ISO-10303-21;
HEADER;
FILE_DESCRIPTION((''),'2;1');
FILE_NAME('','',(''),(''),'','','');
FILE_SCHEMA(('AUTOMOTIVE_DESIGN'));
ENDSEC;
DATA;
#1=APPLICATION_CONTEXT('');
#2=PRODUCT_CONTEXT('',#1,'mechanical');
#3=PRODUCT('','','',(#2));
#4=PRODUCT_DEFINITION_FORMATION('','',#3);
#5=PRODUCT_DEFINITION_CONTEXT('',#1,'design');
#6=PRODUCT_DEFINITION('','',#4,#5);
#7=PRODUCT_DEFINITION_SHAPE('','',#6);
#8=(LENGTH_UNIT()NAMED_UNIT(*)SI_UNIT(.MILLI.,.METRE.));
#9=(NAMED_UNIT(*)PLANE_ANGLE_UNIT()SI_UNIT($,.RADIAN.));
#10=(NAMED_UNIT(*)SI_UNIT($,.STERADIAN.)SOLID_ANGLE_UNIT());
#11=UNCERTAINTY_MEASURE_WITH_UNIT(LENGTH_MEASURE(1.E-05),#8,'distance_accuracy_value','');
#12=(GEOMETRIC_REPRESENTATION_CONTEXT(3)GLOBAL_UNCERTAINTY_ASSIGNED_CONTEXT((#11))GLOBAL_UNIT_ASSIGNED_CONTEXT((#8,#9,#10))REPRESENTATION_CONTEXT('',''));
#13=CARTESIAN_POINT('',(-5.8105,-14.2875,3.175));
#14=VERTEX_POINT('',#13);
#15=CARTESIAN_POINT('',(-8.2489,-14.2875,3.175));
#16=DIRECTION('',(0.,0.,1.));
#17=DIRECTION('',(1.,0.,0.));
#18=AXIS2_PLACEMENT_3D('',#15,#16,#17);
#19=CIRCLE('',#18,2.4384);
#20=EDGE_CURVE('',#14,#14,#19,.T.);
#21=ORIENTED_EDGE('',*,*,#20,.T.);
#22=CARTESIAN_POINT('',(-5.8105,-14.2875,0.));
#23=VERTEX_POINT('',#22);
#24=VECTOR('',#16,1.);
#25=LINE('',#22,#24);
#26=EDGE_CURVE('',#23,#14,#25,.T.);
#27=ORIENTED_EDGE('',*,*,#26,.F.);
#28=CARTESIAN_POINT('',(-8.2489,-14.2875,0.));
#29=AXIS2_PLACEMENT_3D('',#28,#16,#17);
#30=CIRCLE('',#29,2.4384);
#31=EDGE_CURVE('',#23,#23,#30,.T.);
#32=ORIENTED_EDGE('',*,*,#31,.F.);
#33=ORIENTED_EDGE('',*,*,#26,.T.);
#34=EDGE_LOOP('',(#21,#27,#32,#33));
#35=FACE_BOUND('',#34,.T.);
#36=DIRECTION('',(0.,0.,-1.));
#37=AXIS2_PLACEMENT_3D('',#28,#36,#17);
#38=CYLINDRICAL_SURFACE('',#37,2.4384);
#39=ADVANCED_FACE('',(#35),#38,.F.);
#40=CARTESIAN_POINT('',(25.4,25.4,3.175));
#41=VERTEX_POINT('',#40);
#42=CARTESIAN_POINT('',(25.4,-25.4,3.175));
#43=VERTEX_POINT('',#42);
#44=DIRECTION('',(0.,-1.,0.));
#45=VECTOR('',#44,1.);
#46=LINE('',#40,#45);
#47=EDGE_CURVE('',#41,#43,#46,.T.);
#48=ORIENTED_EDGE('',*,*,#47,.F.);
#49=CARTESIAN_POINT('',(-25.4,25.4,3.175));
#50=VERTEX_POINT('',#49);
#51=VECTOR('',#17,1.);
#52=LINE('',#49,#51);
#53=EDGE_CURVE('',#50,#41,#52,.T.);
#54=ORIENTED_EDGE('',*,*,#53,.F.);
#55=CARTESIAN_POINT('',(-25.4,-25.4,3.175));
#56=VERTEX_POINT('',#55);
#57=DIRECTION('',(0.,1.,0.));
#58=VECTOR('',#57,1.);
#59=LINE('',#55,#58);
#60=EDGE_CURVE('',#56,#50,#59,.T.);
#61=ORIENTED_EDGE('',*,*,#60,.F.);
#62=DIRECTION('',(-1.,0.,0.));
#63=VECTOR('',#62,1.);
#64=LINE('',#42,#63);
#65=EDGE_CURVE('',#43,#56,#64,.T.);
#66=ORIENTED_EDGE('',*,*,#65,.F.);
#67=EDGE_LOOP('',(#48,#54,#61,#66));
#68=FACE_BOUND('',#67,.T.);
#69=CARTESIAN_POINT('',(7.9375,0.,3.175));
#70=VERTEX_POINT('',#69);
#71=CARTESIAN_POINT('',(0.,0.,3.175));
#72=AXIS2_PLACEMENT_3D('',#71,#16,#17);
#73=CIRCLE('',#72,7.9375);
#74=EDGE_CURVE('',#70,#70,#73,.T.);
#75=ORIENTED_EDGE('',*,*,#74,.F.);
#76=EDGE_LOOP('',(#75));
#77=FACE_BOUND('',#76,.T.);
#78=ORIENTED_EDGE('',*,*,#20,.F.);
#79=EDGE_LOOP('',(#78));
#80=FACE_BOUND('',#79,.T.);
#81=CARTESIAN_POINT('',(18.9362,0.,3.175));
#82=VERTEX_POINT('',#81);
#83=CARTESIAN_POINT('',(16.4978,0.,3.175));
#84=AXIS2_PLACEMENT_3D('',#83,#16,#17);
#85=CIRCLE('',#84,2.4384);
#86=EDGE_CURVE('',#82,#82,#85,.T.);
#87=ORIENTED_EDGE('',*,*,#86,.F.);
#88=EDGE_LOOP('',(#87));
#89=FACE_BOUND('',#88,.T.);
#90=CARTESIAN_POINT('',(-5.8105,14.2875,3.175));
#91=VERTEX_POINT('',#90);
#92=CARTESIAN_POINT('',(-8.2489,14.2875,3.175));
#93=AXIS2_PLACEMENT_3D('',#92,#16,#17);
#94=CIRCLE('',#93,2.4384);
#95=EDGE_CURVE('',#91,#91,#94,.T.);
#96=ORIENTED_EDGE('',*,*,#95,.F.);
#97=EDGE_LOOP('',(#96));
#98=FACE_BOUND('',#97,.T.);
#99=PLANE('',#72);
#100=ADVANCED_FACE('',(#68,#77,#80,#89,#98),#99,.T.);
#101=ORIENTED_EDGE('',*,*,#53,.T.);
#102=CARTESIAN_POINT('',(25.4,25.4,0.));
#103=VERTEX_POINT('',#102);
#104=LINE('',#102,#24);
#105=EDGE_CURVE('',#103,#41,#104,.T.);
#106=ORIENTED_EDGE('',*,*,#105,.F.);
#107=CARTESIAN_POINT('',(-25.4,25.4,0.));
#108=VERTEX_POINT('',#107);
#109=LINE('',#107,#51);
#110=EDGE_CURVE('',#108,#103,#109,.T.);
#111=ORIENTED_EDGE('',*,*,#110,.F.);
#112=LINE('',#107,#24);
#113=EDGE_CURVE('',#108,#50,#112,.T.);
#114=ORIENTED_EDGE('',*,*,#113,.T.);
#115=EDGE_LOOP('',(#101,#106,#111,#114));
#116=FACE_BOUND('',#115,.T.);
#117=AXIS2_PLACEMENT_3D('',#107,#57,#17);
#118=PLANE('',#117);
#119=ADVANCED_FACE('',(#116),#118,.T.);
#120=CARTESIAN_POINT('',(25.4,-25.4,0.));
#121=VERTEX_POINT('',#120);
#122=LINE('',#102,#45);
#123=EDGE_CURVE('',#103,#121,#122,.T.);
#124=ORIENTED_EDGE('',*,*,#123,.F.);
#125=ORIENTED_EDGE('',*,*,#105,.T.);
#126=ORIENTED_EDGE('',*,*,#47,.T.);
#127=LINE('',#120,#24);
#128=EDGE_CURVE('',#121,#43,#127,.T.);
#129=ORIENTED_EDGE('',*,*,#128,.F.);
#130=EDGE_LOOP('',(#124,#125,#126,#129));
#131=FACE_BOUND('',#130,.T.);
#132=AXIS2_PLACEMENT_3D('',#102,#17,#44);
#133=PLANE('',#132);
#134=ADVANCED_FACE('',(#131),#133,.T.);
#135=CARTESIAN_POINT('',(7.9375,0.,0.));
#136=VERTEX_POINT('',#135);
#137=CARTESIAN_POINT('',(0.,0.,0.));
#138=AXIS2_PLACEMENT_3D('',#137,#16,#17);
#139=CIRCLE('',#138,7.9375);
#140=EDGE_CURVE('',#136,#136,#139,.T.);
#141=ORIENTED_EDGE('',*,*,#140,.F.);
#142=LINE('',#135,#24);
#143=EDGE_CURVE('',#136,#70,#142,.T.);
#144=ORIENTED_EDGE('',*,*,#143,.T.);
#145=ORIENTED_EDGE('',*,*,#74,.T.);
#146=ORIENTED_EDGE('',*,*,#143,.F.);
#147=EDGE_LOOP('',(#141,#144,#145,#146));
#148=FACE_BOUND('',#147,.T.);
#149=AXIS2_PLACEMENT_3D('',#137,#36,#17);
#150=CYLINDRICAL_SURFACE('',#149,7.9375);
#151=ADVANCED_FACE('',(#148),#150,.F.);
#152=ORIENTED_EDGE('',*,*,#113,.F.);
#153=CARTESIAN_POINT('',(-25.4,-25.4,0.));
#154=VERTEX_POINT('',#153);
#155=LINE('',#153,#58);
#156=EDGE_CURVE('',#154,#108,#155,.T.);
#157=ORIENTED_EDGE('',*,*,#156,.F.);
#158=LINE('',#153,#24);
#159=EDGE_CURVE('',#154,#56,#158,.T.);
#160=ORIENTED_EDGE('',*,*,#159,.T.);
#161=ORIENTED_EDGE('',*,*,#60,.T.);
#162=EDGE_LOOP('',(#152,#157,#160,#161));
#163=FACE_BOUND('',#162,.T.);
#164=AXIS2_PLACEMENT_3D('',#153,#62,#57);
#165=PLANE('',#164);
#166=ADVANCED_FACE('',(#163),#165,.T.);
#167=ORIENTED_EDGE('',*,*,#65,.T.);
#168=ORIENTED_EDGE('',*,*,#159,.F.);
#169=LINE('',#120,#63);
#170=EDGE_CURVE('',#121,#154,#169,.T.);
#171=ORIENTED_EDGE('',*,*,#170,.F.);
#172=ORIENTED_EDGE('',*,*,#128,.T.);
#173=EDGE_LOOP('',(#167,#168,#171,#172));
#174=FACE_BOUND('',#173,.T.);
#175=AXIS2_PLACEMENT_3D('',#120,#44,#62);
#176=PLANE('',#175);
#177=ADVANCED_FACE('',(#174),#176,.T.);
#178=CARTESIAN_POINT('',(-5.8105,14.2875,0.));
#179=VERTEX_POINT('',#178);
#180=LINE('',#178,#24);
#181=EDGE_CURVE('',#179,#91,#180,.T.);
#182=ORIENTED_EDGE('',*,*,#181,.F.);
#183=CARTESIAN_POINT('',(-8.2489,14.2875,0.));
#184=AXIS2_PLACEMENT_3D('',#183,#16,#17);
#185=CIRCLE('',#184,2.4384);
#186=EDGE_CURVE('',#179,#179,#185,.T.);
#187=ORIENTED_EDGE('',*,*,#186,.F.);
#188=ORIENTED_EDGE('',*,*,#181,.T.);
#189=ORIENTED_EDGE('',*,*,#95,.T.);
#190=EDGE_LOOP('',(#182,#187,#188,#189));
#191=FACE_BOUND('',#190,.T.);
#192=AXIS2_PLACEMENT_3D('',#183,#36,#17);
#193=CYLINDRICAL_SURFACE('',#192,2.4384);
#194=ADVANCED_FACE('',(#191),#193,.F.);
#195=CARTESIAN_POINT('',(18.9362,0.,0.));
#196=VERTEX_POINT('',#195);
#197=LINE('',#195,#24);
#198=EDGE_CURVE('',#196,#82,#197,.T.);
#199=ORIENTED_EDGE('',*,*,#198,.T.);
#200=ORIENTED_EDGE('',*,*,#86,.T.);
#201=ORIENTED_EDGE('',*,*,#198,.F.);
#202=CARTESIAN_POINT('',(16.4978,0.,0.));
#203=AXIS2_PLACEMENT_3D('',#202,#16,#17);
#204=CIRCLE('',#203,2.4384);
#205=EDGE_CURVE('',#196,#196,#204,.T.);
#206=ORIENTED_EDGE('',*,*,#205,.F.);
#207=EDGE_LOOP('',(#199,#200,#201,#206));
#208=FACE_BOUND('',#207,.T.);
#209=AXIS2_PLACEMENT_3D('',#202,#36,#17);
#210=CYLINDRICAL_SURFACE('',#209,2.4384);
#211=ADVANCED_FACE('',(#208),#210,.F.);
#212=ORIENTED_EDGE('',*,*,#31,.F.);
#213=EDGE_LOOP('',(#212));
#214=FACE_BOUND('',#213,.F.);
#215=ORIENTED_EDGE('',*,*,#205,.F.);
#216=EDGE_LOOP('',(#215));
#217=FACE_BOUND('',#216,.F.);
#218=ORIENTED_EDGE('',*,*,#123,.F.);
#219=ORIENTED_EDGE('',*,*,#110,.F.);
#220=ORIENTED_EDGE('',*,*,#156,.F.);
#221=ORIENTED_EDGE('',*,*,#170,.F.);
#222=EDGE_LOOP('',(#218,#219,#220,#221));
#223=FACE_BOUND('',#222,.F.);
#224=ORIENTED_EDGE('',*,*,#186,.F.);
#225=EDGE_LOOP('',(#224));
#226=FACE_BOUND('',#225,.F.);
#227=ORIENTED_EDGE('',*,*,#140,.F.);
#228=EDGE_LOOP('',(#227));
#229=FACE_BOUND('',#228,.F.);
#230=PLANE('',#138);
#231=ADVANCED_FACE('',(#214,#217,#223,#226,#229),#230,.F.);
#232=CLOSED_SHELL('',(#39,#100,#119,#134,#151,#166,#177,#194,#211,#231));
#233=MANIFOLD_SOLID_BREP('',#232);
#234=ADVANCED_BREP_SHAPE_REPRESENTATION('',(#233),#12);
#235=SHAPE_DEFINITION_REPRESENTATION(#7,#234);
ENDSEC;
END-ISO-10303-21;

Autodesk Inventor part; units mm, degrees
ref_plane "YZ Plane" through (0, 0, 0) normal (1, 0, 0) x (0, 1, 0)
ref_plane "XZ Plane" through (0, 0, 0) normal (0, 1, 0) x (-1, 0, 0)
ref_plane "XY Plane" through (0, 0, 0) normal (0, 0, 1) x (1, 0, 0)
sketch "Sketch1" plane through (0, 0, 0) normal (0, 0, 1) x (1, 0, 0)
  circle A0 centre (0, 0) radius 7.9375
  line L0 (-25.4, 25.4) -> (25.4, 25.4)
  line L1 (25.4, 25.4) -> (25.4, -25.4)
  line L2 (25.4, -25.4) -> (-25.4, -25.4)
  line L3 (-25.4, -25.4) -> (-25.4, 25.4)
  line L4 (-25.4, 25.4) -> (0, 0) construction
  line L5 (0, 0) -> (25.4, 25.4) construction
  line L6 (8.2489, 14.2875) -> (16.4978, 0) construction
  line L7 (16.4978, 0) -> (8.2489, -14.2875) construction
  line L8 (8.2489, -14.2875) -> (-8.2489, -14.2875) construction
  line L9 (-8.2489, -14.2875) -> (-16.4978, 0) construction
  line L10 (-16.4978, 0) -> (-8.2489, 14.2875) construction
  line L11 (-8.2489, 14.2875) -> (8.2489, 14.2875) construction
  circle A1 centre (-8.2489, 14.2875) radius 2.4384
  circle A2 centre (16.4978, 0) radius 2.4384
  circle A3 centre (-8.2489, -14.2875) radius 2.4384
  line L12 (0, 0) -> (-25.4, -25.4) construction
  line L13 (0, 0) -> (25.4, -25.4) construction
  dimension "d0" = 50.8
  dimension "d1" = 28.575
  dimension "d2" = 15.875
  dimension "d3" = 4.8768
extrude "Extrusion1" add sketch "Sketch1" along normal blind 3.175
properties part number "BearingRetainerPlate" material "Aluminum-6061"
